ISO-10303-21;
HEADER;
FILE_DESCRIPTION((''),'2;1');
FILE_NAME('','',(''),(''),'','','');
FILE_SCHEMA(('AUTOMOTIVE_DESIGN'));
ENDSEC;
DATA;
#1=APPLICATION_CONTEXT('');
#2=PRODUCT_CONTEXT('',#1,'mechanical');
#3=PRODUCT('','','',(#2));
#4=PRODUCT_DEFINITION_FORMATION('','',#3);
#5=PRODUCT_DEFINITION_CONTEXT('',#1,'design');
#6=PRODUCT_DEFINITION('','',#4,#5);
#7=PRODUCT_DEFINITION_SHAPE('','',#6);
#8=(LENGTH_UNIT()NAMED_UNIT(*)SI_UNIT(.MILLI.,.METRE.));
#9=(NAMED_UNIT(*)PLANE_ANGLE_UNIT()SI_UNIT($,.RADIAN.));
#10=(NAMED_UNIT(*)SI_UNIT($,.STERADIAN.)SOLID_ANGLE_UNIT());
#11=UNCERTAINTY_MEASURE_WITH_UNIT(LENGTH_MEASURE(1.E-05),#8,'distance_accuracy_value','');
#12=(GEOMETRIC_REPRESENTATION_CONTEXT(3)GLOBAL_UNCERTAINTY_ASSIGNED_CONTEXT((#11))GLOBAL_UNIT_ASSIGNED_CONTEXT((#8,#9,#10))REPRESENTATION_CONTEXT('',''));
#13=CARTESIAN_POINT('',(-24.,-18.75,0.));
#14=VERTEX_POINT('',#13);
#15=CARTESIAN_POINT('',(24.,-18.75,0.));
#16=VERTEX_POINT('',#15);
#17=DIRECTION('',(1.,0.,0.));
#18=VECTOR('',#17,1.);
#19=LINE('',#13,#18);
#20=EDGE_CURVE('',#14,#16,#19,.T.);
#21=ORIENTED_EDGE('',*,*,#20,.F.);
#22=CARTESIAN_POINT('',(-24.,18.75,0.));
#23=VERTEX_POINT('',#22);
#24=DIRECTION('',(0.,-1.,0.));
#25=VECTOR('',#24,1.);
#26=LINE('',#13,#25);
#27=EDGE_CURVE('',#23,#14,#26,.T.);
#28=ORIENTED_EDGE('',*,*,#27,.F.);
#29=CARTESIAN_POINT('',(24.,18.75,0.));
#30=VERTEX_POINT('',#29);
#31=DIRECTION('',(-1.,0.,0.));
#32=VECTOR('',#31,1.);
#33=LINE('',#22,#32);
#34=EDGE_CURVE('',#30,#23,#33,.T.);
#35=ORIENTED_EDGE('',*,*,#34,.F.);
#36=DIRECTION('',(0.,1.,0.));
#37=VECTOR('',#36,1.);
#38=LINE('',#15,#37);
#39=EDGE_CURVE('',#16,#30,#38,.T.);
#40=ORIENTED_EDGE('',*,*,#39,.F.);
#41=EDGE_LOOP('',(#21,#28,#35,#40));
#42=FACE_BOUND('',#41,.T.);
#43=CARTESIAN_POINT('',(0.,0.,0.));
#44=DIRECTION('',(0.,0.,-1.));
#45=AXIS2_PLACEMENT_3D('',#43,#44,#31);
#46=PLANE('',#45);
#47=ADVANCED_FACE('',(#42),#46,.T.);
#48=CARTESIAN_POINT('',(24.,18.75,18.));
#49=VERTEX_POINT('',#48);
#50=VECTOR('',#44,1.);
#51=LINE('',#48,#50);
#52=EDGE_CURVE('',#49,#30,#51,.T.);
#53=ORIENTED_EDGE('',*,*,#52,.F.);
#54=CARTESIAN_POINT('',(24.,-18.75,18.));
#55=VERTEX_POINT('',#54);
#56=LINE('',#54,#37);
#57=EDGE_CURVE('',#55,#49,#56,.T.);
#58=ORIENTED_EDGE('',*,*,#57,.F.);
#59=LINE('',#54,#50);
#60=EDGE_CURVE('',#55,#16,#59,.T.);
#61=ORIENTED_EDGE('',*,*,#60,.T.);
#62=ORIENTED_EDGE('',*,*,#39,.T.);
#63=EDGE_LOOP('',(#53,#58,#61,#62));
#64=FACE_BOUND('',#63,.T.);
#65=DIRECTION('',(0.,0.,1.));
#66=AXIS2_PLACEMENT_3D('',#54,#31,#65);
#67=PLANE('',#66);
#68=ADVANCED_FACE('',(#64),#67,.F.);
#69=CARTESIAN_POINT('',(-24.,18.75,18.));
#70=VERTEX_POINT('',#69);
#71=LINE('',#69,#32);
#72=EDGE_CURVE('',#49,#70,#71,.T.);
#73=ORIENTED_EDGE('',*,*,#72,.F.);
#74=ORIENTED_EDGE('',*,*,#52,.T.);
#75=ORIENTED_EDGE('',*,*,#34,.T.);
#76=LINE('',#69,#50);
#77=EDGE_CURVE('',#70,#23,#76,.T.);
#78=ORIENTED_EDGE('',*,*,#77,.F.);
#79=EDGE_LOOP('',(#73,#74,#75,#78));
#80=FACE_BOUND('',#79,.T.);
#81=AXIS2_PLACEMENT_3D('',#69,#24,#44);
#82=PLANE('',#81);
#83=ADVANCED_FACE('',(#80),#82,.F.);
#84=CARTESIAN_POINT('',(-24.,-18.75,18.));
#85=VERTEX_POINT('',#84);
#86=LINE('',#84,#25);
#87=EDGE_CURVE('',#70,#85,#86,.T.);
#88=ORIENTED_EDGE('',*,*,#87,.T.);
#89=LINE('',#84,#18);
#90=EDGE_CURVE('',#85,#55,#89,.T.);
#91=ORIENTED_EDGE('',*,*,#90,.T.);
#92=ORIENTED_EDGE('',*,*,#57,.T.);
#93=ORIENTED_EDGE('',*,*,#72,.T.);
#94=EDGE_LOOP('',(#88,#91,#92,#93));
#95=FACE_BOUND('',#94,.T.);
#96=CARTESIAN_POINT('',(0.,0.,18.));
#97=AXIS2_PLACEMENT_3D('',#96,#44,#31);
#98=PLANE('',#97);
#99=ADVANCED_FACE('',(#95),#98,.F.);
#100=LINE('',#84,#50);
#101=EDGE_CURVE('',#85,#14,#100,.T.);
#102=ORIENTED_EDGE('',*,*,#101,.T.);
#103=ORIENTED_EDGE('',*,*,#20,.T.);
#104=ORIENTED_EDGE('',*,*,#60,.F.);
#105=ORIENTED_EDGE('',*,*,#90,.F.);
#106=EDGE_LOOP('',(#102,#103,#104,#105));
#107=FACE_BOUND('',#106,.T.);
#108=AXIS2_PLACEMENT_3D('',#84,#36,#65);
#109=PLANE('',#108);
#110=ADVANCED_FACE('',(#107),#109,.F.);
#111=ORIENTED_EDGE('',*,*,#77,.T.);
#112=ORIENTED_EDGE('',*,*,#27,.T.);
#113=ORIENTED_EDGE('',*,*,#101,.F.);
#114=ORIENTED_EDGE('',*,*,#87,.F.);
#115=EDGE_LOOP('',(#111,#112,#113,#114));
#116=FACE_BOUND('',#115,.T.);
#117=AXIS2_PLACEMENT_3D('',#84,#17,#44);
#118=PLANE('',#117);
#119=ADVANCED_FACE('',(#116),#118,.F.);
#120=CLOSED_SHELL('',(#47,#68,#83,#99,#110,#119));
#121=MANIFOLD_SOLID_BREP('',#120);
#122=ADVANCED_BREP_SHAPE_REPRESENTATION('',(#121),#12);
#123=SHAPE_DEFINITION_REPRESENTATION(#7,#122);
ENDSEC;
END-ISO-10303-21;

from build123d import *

# Parameters (mm, degrees)
SKETCH1_W      = 48
SKETCH1_H      = 37.5
ENVELOPE_DEPTH = 18


with BuildPart() as part:
    # Sketch1 → Envelope (new body)
    with BuildSketch(Plane.XY):
        Rectangle(SKETCH1_W, SKETCH1_H)
    extrude(amount=ENVELOPE_DEPTH)


solid = part.part
